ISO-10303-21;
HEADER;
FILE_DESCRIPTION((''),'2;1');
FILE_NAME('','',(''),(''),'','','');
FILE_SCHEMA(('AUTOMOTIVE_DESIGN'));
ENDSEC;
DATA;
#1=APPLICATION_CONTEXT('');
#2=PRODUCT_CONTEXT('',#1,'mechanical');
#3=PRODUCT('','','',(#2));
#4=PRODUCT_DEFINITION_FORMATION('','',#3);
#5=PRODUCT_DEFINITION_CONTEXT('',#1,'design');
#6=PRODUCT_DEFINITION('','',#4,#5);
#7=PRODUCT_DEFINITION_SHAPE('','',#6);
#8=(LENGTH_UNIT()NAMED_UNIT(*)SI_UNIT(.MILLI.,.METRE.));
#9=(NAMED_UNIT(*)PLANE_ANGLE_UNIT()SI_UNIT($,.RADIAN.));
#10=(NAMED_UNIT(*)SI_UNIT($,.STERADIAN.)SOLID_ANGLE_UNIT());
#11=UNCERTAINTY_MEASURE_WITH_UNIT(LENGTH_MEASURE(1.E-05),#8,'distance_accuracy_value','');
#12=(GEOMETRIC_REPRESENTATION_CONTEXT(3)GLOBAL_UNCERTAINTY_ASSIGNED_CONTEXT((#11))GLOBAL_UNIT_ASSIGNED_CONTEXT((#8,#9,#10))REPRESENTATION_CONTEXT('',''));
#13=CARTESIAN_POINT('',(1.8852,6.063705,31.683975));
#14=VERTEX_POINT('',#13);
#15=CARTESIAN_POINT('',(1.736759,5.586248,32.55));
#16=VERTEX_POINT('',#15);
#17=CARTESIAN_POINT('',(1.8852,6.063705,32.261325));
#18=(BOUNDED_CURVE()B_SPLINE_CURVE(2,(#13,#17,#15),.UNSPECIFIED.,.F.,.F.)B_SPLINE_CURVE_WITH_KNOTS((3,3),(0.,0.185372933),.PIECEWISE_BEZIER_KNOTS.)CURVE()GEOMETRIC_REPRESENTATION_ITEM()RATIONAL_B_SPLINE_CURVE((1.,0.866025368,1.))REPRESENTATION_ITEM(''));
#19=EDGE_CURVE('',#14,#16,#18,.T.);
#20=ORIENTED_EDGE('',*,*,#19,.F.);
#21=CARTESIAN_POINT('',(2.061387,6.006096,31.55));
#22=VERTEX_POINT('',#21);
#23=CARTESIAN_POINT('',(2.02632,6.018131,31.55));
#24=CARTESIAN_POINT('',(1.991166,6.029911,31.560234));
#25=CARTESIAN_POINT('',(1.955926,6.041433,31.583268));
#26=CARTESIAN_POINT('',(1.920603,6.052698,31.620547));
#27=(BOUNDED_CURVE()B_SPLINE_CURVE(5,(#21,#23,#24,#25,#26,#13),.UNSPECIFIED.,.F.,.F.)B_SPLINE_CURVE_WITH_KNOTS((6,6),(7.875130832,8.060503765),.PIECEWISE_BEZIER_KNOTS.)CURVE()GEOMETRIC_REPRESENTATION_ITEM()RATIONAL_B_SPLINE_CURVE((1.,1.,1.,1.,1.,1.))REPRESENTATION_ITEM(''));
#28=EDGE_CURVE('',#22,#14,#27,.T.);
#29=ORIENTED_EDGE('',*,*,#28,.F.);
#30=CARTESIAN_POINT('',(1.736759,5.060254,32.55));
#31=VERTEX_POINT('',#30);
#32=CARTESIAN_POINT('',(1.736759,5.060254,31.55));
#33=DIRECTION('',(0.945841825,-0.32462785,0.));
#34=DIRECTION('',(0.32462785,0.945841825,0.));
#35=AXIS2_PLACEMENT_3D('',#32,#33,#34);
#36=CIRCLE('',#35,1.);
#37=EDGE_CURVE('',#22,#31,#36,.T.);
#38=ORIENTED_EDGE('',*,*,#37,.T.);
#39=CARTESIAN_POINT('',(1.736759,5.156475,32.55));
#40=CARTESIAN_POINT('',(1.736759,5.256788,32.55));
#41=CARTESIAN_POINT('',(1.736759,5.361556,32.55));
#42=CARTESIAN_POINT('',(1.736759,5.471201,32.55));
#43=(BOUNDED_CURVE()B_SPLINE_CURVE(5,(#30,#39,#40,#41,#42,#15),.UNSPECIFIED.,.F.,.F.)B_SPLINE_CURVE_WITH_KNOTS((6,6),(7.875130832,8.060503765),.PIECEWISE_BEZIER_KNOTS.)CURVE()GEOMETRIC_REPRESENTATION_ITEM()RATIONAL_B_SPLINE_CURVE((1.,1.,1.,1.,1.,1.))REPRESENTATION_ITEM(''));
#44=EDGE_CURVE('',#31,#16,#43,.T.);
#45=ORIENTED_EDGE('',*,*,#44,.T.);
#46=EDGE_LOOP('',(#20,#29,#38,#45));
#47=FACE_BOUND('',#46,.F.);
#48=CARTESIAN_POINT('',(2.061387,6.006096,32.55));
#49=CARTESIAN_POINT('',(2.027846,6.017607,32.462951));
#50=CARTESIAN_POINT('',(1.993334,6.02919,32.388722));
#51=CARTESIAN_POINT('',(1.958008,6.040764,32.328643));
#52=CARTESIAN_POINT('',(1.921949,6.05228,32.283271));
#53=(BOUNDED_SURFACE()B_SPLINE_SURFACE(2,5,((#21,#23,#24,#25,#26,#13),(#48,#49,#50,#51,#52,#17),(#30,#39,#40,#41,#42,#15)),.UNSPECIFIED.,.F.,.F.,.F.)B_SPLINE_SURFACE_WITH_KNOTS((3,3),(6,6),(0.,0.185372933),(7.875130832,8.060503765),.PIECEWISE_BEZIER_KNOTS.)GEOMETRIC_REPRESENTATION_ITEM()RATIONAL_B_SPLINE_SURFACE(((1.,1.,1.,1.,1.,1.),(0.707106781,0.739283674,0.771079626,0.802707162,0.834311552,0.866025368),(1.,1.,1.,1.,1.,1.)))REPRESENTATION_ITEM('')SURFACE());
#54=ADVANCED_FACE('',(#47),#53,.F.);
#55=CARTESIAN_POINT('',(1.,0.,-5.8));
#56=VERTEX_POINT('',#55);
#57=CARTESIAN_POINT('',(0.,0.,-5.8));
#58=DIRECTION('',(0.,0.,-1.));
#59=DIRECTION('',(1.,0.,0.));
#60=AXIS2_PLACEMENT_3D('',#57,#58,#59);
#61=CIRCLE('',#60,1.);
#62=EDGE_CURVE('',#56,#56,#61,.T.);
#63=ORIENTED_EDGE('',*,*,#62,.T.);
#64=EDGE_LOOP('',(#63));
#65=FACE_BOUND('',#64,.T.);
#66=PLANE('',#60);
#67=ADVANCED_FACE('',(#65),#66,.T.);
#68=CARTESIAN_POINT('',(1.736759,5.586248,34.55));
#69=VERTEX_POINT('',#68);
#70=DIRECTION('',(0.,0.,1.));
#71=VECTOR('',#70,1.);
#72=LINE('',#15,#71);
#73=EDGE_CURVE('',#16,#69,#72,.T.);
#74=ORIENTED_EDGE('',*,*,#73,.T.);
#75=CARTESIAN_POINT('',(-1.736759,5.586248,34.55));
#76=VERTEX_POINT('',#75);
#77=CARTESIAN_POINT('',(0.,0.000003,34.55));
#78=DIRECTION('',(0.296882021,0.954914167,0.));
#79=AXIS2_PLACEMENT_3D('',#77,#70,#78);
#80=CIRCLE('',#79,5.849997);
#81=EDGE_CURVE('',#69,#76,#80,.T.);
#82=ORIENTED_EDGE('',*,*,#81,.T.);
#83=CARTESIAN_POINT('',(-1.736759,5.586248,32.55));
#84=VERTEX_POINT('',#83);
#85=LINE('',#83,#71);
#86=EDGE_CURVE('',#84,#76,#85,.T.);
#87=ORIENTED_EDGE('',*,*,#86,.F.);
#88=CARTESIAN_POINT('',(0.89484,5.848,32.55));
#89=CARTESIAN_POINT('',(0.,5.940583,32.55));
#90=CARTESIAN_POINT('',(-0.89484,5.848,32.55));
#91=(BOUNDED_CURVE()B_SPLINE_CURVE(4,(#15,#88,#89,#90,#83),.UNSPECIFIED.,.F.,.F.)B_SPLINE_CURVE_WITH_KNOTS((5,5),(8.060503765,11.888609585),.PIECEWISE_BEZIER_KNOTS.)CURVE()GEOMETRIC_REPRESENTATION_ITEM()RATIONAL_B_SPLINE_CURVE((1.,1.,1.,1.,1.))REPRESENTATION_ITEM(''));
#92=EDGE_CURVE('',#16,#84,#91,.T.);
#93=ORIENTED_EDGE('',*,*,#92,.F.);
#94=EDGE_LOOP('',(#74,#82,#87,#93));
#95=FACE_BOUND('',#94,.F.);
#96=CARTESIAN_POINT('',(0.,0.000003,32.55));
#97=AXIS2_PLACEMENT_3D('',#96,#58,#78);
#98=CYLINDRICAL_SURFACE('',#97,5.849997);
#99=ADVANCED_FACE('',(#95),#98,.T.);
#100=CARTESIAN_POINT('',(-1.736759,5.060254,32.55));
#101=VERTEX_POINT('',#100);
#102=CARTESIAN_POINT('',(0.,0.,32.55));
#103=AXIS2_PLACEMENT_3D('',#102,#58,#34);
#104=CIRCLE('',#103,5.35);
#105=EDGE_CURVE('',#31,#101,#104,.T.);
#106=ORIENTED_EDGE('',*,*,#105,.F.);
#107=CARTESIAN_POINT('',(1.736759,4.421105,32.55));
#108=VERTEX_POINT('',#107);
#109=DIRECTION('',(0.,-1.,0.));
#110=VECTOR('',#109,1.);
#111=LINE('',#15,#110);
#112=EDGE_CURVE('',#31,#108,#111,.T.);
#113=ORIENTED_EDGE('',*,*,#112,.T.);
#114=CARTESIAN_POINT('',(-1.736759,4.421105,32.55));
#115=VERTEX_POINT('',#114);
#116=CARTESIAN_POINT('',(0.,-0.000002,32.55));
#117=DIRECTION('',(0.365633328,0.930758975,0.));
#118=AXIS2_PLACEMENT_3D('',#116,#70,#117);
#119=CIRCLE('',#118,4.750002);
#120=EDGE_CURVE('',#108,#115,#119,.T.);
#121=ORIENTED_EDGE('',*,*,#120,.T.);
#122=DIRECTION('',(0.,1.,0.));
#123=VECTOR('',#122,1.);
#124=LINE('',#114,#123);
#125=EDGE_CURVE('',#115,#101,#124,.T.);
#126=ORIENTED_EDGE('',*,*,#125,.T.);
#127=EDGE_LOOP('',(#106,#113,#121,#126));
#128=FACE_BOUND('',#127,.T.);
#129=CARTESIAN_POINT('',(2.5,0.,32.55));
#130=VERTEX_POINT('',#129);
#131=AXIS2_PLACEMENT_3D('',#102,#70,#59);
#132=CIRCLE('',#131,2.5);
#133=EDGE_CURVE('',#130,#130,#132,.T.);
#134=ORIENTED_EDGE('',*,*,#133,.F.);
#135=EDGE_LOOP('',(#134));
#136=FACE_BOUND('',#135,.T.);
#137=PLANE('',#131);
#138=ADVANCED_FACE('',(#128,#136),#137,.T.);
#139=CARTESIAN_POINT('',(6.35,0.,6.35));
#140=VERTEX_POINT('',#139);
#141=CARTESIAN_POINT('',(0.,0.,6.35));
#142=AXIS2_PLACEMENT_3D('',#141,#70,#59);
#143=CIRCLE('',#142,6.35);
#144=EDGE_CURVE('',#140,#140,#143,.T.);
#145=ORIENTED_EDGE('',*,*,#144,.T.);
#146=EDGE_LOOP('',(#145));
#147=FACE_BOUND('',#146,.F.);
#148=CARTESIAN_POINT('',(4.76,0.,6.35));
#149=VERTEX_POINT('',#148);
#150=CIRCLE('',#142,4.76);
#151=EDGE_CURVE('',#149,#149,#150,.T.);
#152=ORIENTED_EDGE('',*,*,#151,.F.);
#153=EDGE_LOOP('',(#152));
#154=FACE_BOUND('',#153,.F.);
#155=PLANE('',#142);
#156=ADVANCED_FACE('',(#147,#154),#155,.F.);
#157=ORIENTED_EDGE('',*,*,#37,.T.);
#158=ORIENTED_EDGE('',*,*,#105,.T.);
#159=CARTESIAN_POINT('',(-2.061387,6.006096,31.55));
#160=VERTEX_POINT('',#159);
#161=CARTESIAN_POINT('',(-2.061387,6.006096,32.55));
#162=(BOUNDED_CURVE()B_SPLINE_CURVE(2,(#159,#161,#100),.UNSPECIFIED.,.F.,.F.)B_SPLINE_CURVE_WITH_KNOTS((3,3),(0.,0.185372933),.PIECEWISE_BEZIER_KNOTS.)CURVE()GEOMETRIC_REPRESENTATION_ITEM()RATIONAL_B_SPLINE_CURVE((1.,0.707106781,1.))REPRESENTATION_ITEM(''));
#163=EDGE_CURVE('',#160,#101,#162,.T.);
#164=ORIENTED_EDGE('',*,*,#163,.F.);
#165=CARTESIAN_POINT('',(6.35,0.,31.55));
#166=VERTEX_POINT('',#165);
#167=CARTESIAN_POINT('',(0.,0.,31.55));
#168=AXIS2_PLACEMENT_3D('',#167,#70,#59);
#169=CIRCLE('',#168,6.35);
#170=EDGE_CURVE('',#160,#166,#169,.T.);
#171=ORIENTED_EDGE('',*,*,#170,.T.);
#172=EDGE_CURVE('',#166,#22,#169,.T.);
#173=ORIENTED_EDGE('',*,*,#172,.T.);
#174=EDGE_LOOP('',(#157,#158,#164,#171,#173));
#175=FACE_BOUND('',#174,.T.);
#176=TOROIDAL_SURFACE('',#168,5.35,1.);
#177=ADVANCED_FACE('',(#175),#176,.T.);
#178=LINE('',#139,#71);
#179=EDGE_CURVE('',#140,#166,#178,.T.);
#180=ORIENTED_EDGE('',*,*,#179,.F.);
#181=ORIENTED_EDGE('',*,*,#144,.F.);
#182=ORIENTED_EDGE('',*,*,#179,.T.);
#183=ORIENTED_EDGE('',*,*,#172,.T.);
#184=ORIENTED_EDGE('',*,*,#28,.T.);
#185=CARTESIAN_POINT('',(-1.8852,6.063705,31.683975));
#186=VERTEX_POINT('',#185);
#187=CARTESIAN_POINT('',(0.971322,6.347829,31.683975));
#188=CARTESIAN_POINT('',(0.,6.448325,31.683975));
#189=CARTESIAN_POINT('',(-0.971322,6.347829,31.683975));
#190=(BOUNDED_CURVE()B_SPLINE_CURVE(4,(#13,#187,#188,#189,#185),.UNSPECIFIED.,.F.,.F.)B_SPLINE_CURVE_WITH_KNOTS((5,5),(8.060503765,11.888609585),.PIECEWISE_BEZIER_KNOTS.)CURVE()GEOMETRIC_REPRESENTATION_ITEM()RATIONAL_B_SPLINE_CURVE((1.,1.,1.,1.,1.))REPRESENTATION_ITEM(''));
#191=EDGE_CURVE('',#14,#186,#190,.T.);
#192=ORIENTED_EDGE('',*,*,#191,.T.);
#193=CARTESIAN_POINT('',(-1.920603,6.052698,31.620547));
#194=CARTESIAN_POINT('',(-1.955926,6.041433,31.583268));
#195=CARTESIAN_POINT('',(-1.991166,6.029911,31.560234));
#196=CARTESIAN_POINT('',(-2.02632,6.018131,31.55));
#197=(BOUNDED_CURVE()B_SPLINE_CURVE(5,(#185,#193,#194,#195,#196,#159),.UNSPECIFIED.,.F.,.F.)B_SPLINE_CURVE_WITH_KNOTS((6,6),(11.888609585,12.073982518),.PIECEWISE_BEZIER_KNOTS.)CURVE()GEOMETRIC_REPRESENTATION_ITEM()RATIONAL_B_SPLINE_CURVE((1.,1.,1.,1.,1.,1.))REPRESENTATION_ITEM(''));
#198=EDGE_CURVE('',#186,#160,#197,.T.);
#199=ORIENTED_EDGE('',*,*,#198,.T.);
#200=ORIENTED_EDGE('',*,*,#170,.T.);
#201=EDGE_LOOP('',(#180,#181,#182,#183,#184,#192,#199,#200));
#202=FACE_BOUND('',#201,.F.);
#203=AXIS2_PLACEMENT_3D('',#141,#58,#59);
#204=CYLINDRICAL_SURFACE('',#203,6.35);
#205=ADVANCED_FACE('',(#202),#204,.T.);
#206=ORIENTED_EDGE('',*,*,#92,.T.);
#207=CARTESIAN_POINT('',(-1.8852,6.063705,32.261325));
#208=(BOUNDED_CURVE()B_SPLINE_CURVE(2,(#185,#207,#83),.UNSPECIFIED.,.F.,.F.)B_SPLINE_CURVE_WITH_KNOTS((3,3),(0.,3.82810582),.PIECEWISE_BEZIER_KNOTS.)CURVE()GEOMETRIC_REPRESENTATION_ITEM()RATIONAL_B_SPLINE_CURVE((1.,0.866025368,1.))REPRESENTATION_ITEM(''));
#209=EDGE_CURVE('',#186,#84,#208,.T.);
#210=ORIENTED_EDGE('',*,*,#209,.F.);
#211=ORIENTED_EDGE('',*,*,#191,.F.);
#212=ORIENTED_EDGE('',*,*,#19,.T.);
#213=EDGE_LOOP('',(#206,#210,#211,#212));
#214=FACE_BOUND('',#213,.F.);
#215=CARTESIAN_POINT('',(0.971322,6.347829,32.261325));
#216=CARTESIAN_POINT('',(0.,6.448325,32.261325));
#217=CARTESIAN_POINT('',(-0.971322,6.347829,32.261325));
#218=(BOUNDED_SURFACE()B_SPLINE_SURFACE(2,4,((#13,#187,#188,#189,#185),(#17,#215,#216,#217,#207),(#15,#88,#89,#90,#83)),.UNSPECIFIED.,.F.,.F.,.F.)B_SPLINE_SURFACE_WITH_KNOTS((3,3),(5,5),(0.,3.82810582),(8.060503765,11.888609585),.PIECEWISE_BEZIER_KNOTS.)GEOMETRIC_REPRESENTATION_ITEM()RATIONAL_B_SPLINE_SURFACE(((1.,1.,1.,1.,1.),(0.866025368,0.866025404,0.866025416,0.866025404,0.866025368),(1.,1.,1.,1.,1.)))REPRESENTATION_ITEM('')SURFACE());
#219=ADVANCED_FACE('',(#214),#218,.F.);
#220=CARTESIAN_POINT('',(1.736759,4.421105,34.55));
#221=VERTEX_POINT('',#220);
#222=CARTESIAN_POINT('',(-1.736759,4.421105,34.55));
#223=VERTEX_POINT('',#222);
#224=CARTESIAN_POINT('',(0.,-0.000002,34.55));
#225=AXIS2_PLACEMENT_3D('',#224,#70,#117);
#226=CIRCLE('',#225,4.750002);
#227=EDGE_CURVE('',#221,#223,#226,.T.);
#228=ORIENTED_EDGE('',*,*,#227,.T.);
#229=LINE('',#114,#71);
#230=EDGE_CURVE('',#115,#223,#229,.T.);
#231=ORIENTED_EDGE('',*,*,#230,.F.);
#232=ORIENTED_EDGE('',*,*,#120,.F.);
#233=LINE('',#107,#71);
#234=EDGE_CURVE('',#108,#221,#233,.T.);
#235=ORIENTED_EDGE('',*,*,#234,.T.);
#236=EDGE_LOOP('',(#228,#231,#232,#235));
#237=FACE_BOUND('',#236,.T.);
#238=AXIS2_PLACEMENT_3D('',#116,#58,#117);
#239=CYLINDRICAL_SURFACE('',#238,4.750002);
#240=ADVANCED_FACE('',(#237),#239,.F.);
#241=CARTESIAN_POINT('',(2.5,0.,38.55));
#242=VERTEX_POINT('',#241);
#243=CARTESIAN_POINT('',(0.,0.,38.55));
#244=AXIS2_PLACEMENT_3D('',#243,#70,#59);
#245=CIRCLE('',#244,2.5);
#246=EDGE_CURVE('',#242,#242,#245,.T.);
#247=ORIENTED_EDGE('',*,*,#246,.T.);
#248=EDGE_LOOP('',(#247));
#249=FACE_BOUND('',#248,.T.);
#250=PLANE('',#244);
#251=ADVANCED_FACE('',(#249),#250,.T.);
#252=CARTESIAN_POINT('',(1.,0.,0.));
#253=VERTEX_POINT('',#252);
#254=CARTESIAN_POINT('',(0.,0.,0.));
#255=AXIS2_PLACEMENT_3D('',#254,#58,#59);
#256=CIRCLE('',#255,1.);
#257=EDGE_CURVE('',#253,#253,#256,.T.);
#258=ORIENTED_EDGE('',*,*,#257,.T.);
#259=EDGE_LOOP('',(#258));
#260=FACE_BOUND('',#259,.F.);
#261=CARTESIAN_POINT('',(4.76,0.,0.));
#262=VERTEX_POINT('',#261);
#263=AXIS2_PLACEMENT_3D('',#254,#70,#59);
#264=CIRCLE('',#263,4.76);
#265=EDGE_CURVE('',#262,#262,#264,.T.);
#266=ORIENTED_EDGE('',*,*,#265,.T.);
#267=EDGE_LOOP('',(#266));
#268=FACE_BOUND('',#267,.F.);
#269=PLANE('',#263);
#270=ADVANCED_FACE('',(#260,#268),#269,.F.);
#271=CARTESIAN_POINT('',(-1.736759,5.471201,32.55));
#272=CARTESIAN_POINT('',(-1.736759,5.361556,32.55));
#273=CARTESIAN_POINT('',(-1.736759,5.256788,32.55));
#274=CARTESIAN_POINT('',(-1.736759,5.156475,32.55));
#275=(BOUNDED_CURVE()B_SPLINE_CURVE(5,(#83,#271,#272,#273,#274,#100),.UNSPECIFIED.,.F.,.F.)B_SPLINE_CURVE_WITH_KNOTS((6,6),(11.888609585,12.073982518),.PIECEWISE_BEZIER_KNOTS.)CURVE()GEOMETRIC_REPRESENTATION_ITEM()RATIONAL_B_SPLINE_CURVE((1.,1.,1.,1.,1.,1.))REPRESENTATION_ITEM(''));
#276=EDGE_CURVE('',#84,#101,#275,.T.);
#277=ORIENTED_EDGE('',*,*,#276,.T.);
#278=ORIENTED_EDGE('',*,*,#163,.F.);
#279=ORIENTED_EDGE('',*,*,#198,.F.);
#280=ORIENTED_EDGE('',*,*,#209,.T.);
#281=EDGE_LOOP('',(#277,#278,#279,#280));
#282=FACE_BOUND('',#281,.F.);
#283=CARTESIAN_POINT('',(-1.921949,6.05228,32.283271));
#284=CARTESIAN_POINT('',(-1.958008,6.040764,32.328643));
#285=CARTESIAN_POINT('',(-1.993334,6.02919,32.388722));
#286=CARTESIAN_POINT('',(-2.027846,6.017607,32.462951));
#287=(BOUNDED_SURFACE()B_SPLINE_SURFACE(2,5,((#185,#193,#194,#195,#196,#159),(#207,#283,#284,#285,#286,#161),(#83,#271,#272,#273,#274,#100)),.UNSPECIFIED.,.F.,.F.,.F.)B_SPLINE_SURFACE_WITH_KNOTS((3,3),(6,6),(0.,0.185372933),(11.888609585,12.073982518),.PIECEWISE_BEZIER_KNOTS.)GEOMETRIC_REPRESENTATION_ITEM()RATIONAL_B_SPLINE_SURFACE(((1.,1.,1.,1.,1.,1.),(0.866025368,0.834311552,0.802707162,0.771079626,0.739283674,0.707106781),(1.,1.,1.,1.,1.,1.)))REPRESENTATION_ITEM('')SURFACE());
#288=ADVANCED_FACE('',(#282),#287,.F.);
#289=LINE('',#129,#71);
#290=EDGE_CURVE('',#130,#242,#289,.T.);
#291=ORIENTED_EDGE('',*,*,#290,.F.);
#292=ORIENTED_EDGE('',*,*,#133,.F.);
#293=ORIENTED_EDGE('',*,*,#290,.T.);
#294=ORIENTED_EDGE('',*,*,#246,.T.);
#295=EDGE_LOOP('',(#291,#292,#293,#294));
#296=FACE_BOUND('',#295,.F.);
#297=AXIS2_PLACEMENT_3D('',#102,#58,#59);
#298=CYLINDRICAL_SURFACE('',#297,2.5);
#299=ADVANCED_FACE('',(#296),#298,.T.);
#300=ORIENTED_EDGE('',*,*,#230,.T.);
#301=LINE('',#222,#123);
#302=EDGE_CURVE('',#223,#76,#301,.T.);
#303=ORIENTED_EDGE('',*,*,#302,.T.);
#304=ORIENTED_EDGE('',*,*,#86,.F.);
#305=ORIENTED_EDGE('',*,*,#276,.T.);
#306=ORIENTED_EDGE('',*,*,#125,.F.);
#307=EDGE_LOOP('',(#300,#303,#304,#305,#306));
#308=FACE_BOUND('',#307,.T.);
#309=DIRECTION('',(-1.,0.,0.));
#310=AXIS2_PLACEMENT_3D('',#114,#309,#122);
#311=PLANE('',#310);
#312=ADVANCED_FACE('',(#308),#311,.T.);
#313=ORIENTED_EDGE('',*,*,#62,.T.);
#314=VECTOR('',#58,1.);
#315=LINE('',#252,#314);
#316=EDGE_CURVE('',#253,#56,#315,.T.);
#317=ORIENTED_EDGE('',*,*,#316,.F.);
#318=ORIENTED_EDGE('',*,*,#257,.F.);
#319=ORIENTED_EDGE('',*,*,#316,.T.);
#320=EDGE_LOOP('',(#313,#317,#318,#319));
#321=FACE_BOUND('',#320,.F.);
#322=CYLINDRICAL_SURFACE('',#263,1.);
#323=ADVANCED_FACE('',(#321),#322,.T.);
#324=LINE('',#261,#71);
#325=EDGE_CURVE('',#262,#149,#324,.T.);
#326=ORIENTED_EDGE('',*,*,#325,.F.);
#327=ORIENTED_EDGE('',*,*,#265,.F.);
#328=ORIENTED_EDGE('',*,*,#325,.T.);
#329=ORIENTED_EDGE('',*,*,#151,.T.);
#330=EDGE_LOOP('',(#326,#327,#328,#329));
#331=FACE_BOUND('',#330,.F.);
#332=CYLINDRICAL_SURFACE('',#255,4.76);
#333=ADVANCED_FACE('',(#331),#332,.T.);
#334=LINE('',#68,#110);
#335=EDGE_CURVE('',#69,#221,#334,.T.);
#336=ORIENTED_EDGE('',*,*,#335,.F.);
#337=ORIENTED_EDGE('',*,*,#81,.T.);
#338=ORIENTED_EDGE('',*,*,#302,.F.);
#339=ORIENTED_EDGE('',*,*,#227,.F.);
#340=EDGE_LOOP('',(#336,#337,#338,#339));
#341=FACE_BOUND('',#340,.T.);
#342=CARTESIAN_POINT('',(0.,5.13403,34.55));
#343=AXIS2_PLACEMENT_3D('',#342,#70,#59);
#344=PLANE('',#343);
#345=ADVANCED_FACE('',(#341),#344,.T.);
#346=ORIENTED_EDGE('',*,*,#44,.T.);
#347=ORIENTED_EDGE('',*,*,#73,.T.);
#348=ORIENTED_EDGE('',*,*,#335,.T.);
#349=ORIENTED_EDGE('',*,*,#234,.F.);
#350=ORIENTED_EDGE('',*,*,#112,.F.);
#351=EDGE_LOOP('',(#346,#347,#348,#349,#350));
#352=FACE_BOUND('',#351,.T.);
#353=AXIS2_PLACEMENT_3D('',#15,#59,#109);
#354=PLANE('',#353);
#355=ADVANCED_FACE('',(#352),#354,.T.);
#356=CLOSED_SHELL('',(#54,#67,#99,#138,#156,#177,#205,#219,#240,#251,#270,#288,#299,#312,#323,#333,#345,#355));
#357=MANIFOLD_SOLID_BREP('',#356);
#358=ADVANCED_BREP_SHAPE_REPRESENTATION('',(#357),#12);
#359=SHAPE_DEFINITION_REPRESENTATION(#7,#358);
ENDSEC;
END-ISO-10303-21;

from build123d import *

# Parameters (mm, degrees)
SKETCH_R     = 4.76
PAD_DEPTH    = 6.35
SKETCH001_R  = 6.35
PAD001_DEPTH = 26.2
SKETCH002_R  = 1
PAD002_DEPTH = 5.8
SKETCH003_R  = 2.5
PAD003_DEPTH = 6
PAD004_DEPTH = 2
FILLET_R     = 1


with BuildPart() as part:
    # Sketch → Pad (new body)
    with BuildSketch(Plane.XY):
        Circle(SKETCH_R)
    extrude(amount=PAD_DEPTH)

    # Sketch001 (on Face3 of Pad) → Pad001 (join)
    with BuildSketch(Plane.XY.offset(6.35)):
        Circle(SKETCH001_R)
    extrude(amount=PAD001_DEPTH)

    # Sketch002 (on Face5 of Pad001) → Pad002 (join)
    with BuildSketch(Plane(origin=(0, 0, 0), x_dir=(1, 0, 0), z_dir=(0, 0, -1))):
        Circle(SKETCH002_R)
    extrude(amount=PAD002_DEPTH)

    # Sketch003 (on Face3 of Pad002) → Pad003 (join)
    with BuildSketch(Plane.XY.offset(32.55)):
        Circle(SKETCH003_R)
    extrude(amount=PAD003_DEPTH)

    # Sketch004 (on Face3 of Pad003) → Pad004 (join)
    with BuildSketch(Plane.XY.offset(32.55)):
        with BuildLine():
            ThreePointArc((1.736759, 5.586248), (0, 5.85), (-1.736759, 5.586248))
            Line((-1.736759, 4.421105), (-1.736759, 5.586248))
            ThreePointArc((1.736759, 4.421105), (0, 4.75), (-1.736759, 4.421105))
            Line((1.736759, 5.586248), (1.736759, 4.421105))
        make_face()
    extrude(amount=PAD004_DEPTH)

    # Fillet
    fillet_edges = [part.edges().sort_by_distance(p)[0] for p in [
        (-6.35, 0, 32.55),
    ]]
    fillet(fillet_edges, radius=FILLET_R)


solid = part.part
